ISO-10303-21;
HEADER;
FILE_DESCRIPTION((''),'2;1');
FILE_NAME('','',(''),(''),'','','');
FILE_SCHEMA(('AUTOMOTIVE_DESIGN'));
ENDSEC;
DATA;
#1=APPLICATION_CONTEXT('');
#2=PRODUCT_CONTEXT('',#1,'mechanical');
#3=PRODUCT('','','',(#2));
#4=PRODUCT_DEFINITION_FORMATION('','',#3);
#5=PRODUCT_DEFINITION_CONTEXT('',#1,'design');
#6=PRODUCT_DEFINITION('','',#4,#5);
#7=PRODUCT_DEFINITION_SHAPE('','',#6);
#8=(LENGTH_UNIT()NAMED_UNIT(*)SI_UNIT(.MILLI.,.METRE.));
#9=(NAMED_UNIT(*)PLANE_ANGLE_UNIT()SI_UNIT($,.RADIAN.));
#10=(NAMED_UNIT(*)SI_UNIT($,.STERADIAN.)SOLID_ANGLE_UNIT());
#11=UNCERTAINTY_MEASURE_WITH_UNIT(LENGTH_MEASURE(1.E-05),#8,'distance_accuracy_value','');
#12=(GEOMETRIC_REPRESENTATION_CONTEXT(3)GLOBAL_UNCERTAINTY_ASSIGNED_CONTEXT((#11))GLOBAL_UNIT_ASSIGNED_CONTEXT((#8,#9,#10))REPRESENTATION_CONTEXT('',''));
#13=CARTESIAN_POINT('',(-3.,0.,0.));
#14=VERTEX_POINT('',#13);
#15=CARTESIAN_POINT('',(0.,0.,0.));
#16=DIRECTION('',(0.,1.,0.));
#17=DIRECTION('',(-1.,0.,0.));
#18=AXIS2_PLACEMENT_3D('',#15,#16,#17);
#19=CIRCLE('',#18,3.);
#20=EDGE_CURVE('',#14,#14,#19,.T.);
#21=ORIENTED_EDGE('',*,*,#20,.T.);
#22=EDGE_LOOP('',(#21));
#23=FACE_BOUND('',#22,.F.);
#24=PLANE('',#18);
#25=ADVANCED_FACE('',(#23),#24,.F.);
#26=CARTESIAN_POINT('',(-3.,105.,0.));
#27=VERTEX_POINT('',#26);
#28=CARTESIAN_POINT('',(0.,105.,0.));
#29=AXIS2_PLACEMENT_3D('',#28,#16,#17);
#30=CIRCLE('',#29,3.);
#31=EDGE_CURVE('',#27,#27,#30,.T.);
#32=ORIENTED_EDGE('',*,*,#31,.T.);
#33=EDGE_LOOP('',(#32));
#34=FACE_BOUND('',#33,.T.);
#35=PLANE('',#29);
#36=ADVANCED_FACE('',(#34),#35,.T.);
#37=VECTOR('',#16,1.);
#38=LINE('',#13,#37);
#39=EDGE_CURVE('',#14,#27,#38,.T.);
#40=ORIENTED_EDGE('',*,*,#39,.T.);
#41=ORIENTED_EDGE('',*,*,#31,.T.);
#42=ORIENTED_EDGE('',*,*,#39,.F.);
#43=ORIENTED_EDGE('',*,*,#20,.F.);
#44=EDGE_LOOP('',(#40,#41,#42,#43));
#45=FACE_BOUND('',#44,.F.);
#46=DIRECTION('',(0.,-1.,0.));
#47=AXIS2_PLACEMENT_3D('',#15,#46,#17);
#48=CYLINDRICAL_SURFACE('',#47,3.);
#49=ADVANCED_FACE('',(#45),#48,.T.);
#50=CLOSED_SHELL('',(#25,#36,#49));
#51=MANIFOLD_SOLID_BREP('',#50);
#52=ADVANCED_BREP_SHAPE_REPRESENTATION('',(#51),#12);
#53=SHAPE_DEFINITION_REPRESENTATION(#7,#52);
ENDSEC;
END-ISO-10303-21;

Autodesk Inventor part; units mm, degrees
ref_plane "YZ Plane" through (0, 0, 0) normal (1, 0, 0) x (0, 1, 0)
ref_plane "XZ Plane" through (0, 0, 0) normal (0, 1, 0) x (-1, 0, 0)
ref_plane "XY Plane" through (0, 0, 0) normal (0, 0, 1) x (1, 0, 0)
sketch "Sketch1" plane through (0, 0, 0) normal (0, 1, 0) x (-1, 0, 0)
  circle A0 centre (0, 0) radius 3
  dimension "d0" = 6
extrude "Extrusion1" add sketch "Sketch1" along normal blind 105
thread "Thread1" size "M3x0.5" class "6g" standard "ANSI Metric M Profile" full length
properties part number "lead screw"
